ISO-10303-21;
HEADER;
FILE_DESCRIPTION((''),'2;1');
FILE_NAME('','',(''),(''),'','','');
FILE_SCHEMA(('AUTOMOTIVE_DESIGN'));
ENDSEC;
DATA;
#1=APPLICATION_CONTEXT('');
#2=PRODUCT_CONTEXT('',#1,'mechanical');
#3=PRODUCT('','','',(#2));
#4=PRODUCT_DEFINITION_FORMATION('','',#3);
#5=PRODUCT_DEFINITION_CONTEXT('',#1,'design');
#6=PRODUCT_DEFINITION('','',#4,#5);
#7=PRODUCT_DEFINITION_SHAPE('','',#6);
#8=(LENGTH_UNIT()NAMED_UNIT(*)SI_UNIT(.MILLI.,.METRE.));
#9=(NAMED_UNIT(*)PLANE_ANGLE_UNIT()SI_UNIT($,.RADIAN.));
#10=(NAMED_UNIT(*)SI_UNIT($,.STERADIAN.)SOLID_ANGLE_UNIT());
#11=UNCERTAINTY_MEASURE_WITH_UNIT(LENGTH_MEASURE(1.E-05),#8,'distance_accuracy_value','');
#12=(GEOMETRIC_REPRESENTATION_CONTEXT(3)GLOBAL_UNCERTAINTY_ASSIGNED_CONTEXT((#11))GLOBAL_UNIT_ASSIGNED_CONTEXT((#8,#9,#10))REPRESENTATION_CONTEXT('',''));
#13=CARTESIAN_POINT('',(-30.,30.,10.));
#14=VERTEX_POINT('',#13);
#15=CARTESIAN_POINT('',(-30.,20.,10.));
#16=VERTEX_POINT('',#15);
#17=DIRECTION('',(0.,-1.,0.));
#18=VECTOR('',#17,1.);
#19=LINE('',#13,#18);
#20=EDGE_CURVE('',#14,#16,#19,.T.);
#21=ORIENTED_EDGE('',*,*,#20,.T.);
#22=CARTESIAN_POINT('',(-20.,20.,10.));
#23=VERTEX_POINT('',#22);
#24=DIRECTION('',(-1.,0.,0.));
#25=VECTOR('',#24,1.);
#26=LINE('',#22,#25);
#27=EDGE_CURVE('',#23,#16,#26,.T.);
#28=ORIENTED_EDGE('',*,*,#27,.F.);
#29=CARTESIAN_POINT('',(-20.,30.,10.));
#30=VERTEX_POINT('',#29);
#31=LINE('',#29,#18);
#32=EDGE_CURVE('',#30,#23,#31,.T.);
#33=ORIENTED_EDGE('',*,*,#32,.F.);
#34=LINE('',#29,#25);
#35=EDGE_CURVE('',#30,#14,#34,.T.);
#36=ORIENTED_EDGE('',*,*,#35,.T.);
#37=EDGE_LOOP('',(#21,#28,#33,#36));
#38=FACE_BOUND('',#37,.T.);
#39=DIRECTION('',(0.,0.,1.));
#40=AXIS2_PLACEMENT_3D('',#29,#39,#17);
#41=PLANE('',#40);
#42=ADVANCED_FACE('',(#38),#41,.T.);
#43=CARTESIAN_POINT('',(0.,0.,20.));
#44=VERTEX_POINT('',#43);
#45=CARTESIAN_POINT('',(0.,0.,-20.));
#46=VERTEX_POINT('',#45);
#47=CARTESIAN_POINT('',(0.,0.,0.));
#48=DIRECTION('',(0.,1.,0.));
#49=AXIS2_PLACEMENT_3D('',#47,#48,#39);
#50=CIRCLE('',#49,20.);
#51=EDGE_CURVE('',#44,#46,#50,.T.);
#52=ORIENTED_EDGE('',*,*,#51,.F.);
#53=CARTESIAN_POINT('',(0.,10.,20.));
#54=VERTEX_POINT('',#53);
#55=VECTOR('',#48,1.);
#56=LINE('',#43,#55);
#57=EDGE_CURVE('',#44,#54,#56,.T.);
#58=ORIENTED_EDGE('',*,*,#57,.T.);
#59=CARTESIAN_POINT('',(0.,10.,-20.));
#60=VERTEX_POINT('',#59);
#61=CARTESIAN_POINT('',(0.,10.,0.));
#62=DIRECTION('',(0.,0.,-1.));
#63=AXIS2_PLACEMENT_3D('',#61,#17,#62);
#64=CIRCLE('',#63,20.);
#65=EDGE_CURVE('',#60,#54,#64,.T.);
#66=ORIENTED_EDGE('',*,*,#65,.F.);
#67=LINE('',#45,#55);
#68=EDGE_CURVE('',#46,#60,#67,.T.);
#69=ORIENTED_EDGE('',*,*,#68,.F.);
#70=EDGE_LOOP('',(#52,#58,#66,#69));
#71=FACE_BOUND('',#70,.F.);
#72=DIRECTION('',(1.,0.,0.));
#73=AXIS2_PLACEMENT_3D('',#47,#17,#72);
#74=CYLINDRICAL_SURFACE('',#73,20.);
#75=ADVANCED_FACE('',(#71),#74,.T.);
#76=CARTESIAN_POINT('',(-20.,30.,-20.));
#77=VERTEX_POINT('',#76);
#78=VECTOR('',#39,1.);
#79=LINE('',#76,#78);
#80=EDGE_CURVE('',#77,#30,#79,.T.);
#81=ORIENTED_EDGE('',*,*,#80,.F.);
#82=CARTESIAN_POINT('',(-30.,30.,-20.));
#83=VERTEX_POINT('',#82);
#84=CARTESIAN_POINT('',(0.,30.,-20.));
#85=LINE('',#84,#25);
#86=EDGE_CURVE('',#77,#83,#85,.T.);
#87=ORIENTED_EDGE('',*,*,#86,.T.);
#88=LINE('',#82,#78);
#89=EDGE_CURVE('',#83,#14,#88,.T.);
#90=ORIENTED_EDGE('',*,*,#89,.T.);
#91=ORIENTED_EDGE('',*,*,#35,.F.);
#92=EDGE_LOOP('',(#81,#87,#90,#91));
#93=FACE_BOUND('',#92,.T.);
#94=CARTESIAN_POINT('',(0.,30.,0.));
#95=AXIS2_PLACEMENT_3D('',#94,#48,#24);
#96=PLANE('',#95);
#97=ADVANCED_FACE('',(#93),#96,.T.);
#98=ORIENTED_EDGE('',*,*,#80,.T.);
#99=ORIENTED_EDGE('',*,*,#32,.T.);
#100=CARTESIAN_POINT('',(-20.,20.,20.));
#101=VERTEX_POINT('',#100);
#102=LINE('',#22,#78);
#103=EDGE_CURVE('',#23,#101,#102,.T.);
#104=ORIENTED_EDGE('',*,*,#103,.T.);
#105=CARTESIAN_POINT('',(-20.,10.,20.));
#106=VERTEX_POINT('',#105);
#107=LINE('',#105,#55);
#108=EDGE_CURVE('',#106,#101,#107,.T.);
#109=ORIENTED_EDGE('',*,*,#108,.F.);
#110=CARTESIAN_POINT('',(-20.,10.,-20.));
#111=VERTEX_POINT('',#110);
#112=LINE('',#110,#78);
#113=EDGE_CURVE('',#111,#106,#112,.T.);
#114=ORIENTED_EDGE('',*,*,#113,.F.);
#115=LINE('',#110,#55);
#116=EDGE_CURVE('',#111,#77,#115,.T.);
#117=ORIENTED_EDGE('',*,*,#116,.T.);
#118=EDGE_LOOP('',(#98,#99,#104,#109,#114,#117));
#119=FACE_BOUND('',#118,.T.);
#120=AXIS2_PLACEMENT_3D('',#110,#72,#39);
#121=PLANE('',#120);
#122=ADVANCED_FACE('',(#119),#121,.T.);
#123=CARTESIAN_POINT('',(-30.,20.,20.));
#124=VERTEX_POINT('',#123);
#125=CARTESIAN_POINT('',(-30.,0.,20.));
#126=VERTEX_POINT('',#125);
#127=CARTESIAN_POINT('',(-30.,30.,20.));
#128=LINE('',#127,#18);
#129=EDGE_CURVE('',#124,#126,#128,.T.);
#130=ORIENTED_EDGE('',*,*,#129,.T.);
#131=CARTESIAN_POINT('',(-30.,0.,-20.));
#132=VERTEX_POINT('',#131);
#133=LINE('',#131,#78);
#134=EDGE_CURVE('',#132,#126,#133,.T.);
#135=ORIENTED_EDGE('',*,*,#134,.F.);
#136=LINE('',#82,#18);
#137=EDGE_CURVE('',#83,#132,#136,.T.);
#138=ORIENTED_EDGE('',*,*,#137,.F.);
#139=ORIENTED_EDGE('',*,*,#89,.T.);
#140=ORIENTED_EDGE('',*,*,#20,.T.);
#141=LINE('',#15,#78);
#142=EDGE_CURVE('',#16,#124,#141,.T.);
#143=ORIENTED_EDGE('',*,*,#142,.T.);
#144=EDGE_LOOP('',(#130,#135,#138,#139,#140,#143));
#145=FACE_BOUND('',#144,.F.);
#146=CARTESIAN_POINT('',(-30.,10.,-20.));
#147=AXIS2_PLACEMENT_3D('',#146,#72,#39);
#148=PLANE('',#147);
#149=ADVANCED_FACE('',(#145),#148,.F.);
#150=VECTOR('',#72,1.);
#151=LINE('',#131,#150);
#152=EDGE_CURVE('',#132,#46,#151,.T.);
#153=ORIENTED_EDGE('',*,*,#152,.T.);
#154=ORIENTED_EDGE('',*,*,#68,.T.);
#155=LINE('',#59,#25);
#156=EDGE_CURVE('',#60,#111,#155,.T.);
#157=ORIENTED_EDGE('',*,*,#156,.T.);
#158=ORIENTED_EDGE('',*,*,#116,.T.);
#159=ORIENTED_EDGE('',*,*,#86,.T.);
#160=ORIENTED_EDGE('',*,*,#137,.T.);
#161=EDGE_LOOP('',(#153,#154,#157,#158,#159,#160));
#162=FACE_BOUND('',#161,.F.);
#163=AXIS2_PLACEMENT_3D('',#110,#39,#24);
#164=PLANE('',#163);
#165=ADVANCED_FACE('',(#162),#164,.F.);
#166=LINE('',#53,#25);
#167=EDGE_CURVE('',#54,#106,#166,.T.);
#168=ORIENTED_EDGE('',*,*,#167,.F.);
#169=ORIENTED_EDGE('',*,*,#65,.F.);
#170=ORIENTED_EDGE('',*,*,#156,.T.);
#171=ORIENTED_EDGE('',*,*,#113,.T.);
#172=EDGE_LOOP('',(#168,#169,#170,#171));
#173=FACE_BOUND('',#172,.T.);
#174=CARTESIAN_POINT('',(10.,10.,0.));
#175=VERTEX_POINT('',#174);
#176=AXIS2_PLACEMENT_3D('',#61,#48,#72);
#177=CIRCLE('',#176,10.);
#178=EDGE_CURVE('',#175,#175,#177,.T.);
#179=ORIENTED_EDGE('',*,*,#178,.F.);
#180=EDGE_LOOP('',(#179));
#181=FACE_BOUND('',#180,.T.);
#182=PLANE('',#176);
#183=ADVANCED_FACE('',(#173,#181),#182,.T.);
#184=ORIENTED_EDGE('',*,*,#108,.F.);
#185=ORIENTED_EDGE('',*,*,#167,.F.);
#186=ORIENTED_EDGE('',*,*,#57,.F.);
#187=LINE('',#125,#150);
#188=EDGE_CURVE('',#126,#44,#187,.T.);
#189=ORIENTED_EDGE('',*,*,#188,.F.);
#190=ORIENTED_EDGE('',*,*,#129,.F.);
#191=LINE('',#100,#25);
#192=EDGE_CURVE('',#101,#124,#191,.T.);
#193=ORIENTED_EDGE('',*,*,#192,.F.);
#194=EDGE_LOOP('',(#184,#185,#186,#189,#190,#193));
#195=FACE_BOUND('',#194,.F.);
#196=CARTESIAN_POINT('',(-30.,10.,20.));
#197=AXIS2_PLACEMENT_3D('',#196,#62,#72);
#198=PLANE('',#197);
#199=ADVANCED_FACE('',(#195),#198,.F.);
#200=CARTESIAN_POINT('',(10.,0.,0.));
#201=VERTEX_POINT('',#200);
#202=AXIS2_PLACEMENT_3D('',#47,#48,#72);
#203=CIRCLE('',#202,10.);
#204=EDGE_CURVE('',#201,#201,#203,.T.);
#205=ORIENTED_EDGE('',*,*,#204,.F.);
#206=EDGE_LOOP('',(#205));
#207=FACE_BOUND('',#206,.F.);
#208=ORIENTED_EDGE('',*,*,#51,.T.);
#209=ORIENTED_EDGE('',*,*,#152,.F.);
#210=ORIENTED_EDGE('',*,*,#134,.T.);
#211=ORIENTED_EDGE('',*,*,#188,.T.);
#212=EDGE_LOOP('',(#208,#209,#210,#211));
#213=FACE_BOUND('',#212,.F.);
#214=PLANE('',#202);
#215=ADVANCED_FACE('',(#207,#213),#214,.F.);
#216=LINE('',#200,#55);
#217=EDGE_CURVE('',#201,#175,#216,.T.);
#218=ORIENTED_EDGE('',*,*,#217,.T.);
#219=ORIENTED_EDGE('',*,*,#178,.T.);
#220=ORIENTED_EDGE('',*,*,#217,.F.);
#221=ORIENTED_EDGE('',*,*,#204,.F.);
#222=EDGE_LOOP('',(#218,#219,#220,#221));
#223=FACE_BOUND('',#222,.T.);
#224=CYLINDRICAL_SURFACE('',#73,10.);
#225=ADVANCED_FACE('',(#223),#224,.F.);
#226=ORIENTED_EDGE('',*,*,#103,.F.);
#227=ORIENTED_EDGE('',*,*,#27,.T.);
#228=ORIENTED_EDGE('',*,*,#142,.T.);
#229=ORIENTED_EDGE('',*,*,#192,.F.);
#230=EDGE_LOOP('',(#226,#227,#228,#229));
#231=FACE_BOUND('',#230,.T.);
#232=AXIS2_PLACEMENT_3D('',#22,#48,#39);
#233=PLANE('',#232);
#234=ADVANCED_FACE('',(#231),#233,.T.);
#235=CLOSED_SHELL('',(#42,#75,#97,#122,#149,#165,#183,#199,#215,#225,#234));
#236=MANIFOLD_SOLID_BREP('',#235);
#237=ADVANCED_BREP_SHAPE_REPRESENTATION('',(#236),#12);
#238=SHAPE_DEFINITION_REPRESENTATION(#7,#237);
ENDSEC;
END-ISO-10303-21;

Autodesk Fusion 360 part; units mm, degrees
sketch "Sketch1" plane through (0, 0, 0) normal (0, 1, 0) x (1, 0, 0)
  circle A0 centre (0, 0) radius 20
  circle A1 centre (0, 0) radius 10
  line L0 (-30, 20) -> (-30, -20)
  line L1 (-30, -20) -> (-20, -20)
  line L2 (0, 20) -> (-20, 20)
  line L3 (0, -20) -> (-20, -20)
  line L4 (-20, 20) -> (-30, 20)
  line L5 (-20, 20) -> (-20, -20)
  dimension "d1" = 40
  dimension "d2" = 20
  dimension "d3" = 40
  dimension "d4" = 10
extrude "Extrude1" add sketch "Sketch1" along normal blind 10
sketch "Sketch2" plane through (0, 10, 0) normal (0, 1, 0) x (-1, 0, 0)
  circle A0 centre (0, 0) radius 10
  arc A1 (0, 20) -> (0, -20) centre (0, 0) ccw
  line L0 (0, -20) -> (30, -20)
  line L1 (30, -20) -> (30, 20)
  line L2 (30, 20) -> (0, 20)
  line L3 (30, -20) -> (20, -20)
  line L4 (20, -20) -> (20, 20)
  line L5 (20, 20) -> (30, 20)
  line L6 (30, 20) -> (30, -20)
  dimension "d7" = 10
  dimension "d8" = 40
extrude "Extrude2" add sketch "Sketch2" along normal blind 20 contours L0 L1 L2 L3 L4 L5 L6
sketch "Sketch3" plane through (-20, 0, 0) normal (1, 0, 0) x (0, 0, -1)
  line L0 (-20, 10) -> (20, 10)
  line L1 (20, 10) -> (20, 30)
  line L2 (20, 30) -> (-20, 30)
  line L3 (-20, 30) -> (-20, 10)
  line L4 (-20, 30) -> (-10, 30)
  line L5 (-10, 30) -> (-10, 20)
  line L6 (-10, 20) -> (-20, 20)
  line L7 (-20, 20) -> (-20, 30)
  dimension "d11" = 10
  dimension "d12" = 10
extrude "Extrude3" cut sketch "Sketch3" against normal blind 10 contours L2 L3 L4 L5 L6 L7
